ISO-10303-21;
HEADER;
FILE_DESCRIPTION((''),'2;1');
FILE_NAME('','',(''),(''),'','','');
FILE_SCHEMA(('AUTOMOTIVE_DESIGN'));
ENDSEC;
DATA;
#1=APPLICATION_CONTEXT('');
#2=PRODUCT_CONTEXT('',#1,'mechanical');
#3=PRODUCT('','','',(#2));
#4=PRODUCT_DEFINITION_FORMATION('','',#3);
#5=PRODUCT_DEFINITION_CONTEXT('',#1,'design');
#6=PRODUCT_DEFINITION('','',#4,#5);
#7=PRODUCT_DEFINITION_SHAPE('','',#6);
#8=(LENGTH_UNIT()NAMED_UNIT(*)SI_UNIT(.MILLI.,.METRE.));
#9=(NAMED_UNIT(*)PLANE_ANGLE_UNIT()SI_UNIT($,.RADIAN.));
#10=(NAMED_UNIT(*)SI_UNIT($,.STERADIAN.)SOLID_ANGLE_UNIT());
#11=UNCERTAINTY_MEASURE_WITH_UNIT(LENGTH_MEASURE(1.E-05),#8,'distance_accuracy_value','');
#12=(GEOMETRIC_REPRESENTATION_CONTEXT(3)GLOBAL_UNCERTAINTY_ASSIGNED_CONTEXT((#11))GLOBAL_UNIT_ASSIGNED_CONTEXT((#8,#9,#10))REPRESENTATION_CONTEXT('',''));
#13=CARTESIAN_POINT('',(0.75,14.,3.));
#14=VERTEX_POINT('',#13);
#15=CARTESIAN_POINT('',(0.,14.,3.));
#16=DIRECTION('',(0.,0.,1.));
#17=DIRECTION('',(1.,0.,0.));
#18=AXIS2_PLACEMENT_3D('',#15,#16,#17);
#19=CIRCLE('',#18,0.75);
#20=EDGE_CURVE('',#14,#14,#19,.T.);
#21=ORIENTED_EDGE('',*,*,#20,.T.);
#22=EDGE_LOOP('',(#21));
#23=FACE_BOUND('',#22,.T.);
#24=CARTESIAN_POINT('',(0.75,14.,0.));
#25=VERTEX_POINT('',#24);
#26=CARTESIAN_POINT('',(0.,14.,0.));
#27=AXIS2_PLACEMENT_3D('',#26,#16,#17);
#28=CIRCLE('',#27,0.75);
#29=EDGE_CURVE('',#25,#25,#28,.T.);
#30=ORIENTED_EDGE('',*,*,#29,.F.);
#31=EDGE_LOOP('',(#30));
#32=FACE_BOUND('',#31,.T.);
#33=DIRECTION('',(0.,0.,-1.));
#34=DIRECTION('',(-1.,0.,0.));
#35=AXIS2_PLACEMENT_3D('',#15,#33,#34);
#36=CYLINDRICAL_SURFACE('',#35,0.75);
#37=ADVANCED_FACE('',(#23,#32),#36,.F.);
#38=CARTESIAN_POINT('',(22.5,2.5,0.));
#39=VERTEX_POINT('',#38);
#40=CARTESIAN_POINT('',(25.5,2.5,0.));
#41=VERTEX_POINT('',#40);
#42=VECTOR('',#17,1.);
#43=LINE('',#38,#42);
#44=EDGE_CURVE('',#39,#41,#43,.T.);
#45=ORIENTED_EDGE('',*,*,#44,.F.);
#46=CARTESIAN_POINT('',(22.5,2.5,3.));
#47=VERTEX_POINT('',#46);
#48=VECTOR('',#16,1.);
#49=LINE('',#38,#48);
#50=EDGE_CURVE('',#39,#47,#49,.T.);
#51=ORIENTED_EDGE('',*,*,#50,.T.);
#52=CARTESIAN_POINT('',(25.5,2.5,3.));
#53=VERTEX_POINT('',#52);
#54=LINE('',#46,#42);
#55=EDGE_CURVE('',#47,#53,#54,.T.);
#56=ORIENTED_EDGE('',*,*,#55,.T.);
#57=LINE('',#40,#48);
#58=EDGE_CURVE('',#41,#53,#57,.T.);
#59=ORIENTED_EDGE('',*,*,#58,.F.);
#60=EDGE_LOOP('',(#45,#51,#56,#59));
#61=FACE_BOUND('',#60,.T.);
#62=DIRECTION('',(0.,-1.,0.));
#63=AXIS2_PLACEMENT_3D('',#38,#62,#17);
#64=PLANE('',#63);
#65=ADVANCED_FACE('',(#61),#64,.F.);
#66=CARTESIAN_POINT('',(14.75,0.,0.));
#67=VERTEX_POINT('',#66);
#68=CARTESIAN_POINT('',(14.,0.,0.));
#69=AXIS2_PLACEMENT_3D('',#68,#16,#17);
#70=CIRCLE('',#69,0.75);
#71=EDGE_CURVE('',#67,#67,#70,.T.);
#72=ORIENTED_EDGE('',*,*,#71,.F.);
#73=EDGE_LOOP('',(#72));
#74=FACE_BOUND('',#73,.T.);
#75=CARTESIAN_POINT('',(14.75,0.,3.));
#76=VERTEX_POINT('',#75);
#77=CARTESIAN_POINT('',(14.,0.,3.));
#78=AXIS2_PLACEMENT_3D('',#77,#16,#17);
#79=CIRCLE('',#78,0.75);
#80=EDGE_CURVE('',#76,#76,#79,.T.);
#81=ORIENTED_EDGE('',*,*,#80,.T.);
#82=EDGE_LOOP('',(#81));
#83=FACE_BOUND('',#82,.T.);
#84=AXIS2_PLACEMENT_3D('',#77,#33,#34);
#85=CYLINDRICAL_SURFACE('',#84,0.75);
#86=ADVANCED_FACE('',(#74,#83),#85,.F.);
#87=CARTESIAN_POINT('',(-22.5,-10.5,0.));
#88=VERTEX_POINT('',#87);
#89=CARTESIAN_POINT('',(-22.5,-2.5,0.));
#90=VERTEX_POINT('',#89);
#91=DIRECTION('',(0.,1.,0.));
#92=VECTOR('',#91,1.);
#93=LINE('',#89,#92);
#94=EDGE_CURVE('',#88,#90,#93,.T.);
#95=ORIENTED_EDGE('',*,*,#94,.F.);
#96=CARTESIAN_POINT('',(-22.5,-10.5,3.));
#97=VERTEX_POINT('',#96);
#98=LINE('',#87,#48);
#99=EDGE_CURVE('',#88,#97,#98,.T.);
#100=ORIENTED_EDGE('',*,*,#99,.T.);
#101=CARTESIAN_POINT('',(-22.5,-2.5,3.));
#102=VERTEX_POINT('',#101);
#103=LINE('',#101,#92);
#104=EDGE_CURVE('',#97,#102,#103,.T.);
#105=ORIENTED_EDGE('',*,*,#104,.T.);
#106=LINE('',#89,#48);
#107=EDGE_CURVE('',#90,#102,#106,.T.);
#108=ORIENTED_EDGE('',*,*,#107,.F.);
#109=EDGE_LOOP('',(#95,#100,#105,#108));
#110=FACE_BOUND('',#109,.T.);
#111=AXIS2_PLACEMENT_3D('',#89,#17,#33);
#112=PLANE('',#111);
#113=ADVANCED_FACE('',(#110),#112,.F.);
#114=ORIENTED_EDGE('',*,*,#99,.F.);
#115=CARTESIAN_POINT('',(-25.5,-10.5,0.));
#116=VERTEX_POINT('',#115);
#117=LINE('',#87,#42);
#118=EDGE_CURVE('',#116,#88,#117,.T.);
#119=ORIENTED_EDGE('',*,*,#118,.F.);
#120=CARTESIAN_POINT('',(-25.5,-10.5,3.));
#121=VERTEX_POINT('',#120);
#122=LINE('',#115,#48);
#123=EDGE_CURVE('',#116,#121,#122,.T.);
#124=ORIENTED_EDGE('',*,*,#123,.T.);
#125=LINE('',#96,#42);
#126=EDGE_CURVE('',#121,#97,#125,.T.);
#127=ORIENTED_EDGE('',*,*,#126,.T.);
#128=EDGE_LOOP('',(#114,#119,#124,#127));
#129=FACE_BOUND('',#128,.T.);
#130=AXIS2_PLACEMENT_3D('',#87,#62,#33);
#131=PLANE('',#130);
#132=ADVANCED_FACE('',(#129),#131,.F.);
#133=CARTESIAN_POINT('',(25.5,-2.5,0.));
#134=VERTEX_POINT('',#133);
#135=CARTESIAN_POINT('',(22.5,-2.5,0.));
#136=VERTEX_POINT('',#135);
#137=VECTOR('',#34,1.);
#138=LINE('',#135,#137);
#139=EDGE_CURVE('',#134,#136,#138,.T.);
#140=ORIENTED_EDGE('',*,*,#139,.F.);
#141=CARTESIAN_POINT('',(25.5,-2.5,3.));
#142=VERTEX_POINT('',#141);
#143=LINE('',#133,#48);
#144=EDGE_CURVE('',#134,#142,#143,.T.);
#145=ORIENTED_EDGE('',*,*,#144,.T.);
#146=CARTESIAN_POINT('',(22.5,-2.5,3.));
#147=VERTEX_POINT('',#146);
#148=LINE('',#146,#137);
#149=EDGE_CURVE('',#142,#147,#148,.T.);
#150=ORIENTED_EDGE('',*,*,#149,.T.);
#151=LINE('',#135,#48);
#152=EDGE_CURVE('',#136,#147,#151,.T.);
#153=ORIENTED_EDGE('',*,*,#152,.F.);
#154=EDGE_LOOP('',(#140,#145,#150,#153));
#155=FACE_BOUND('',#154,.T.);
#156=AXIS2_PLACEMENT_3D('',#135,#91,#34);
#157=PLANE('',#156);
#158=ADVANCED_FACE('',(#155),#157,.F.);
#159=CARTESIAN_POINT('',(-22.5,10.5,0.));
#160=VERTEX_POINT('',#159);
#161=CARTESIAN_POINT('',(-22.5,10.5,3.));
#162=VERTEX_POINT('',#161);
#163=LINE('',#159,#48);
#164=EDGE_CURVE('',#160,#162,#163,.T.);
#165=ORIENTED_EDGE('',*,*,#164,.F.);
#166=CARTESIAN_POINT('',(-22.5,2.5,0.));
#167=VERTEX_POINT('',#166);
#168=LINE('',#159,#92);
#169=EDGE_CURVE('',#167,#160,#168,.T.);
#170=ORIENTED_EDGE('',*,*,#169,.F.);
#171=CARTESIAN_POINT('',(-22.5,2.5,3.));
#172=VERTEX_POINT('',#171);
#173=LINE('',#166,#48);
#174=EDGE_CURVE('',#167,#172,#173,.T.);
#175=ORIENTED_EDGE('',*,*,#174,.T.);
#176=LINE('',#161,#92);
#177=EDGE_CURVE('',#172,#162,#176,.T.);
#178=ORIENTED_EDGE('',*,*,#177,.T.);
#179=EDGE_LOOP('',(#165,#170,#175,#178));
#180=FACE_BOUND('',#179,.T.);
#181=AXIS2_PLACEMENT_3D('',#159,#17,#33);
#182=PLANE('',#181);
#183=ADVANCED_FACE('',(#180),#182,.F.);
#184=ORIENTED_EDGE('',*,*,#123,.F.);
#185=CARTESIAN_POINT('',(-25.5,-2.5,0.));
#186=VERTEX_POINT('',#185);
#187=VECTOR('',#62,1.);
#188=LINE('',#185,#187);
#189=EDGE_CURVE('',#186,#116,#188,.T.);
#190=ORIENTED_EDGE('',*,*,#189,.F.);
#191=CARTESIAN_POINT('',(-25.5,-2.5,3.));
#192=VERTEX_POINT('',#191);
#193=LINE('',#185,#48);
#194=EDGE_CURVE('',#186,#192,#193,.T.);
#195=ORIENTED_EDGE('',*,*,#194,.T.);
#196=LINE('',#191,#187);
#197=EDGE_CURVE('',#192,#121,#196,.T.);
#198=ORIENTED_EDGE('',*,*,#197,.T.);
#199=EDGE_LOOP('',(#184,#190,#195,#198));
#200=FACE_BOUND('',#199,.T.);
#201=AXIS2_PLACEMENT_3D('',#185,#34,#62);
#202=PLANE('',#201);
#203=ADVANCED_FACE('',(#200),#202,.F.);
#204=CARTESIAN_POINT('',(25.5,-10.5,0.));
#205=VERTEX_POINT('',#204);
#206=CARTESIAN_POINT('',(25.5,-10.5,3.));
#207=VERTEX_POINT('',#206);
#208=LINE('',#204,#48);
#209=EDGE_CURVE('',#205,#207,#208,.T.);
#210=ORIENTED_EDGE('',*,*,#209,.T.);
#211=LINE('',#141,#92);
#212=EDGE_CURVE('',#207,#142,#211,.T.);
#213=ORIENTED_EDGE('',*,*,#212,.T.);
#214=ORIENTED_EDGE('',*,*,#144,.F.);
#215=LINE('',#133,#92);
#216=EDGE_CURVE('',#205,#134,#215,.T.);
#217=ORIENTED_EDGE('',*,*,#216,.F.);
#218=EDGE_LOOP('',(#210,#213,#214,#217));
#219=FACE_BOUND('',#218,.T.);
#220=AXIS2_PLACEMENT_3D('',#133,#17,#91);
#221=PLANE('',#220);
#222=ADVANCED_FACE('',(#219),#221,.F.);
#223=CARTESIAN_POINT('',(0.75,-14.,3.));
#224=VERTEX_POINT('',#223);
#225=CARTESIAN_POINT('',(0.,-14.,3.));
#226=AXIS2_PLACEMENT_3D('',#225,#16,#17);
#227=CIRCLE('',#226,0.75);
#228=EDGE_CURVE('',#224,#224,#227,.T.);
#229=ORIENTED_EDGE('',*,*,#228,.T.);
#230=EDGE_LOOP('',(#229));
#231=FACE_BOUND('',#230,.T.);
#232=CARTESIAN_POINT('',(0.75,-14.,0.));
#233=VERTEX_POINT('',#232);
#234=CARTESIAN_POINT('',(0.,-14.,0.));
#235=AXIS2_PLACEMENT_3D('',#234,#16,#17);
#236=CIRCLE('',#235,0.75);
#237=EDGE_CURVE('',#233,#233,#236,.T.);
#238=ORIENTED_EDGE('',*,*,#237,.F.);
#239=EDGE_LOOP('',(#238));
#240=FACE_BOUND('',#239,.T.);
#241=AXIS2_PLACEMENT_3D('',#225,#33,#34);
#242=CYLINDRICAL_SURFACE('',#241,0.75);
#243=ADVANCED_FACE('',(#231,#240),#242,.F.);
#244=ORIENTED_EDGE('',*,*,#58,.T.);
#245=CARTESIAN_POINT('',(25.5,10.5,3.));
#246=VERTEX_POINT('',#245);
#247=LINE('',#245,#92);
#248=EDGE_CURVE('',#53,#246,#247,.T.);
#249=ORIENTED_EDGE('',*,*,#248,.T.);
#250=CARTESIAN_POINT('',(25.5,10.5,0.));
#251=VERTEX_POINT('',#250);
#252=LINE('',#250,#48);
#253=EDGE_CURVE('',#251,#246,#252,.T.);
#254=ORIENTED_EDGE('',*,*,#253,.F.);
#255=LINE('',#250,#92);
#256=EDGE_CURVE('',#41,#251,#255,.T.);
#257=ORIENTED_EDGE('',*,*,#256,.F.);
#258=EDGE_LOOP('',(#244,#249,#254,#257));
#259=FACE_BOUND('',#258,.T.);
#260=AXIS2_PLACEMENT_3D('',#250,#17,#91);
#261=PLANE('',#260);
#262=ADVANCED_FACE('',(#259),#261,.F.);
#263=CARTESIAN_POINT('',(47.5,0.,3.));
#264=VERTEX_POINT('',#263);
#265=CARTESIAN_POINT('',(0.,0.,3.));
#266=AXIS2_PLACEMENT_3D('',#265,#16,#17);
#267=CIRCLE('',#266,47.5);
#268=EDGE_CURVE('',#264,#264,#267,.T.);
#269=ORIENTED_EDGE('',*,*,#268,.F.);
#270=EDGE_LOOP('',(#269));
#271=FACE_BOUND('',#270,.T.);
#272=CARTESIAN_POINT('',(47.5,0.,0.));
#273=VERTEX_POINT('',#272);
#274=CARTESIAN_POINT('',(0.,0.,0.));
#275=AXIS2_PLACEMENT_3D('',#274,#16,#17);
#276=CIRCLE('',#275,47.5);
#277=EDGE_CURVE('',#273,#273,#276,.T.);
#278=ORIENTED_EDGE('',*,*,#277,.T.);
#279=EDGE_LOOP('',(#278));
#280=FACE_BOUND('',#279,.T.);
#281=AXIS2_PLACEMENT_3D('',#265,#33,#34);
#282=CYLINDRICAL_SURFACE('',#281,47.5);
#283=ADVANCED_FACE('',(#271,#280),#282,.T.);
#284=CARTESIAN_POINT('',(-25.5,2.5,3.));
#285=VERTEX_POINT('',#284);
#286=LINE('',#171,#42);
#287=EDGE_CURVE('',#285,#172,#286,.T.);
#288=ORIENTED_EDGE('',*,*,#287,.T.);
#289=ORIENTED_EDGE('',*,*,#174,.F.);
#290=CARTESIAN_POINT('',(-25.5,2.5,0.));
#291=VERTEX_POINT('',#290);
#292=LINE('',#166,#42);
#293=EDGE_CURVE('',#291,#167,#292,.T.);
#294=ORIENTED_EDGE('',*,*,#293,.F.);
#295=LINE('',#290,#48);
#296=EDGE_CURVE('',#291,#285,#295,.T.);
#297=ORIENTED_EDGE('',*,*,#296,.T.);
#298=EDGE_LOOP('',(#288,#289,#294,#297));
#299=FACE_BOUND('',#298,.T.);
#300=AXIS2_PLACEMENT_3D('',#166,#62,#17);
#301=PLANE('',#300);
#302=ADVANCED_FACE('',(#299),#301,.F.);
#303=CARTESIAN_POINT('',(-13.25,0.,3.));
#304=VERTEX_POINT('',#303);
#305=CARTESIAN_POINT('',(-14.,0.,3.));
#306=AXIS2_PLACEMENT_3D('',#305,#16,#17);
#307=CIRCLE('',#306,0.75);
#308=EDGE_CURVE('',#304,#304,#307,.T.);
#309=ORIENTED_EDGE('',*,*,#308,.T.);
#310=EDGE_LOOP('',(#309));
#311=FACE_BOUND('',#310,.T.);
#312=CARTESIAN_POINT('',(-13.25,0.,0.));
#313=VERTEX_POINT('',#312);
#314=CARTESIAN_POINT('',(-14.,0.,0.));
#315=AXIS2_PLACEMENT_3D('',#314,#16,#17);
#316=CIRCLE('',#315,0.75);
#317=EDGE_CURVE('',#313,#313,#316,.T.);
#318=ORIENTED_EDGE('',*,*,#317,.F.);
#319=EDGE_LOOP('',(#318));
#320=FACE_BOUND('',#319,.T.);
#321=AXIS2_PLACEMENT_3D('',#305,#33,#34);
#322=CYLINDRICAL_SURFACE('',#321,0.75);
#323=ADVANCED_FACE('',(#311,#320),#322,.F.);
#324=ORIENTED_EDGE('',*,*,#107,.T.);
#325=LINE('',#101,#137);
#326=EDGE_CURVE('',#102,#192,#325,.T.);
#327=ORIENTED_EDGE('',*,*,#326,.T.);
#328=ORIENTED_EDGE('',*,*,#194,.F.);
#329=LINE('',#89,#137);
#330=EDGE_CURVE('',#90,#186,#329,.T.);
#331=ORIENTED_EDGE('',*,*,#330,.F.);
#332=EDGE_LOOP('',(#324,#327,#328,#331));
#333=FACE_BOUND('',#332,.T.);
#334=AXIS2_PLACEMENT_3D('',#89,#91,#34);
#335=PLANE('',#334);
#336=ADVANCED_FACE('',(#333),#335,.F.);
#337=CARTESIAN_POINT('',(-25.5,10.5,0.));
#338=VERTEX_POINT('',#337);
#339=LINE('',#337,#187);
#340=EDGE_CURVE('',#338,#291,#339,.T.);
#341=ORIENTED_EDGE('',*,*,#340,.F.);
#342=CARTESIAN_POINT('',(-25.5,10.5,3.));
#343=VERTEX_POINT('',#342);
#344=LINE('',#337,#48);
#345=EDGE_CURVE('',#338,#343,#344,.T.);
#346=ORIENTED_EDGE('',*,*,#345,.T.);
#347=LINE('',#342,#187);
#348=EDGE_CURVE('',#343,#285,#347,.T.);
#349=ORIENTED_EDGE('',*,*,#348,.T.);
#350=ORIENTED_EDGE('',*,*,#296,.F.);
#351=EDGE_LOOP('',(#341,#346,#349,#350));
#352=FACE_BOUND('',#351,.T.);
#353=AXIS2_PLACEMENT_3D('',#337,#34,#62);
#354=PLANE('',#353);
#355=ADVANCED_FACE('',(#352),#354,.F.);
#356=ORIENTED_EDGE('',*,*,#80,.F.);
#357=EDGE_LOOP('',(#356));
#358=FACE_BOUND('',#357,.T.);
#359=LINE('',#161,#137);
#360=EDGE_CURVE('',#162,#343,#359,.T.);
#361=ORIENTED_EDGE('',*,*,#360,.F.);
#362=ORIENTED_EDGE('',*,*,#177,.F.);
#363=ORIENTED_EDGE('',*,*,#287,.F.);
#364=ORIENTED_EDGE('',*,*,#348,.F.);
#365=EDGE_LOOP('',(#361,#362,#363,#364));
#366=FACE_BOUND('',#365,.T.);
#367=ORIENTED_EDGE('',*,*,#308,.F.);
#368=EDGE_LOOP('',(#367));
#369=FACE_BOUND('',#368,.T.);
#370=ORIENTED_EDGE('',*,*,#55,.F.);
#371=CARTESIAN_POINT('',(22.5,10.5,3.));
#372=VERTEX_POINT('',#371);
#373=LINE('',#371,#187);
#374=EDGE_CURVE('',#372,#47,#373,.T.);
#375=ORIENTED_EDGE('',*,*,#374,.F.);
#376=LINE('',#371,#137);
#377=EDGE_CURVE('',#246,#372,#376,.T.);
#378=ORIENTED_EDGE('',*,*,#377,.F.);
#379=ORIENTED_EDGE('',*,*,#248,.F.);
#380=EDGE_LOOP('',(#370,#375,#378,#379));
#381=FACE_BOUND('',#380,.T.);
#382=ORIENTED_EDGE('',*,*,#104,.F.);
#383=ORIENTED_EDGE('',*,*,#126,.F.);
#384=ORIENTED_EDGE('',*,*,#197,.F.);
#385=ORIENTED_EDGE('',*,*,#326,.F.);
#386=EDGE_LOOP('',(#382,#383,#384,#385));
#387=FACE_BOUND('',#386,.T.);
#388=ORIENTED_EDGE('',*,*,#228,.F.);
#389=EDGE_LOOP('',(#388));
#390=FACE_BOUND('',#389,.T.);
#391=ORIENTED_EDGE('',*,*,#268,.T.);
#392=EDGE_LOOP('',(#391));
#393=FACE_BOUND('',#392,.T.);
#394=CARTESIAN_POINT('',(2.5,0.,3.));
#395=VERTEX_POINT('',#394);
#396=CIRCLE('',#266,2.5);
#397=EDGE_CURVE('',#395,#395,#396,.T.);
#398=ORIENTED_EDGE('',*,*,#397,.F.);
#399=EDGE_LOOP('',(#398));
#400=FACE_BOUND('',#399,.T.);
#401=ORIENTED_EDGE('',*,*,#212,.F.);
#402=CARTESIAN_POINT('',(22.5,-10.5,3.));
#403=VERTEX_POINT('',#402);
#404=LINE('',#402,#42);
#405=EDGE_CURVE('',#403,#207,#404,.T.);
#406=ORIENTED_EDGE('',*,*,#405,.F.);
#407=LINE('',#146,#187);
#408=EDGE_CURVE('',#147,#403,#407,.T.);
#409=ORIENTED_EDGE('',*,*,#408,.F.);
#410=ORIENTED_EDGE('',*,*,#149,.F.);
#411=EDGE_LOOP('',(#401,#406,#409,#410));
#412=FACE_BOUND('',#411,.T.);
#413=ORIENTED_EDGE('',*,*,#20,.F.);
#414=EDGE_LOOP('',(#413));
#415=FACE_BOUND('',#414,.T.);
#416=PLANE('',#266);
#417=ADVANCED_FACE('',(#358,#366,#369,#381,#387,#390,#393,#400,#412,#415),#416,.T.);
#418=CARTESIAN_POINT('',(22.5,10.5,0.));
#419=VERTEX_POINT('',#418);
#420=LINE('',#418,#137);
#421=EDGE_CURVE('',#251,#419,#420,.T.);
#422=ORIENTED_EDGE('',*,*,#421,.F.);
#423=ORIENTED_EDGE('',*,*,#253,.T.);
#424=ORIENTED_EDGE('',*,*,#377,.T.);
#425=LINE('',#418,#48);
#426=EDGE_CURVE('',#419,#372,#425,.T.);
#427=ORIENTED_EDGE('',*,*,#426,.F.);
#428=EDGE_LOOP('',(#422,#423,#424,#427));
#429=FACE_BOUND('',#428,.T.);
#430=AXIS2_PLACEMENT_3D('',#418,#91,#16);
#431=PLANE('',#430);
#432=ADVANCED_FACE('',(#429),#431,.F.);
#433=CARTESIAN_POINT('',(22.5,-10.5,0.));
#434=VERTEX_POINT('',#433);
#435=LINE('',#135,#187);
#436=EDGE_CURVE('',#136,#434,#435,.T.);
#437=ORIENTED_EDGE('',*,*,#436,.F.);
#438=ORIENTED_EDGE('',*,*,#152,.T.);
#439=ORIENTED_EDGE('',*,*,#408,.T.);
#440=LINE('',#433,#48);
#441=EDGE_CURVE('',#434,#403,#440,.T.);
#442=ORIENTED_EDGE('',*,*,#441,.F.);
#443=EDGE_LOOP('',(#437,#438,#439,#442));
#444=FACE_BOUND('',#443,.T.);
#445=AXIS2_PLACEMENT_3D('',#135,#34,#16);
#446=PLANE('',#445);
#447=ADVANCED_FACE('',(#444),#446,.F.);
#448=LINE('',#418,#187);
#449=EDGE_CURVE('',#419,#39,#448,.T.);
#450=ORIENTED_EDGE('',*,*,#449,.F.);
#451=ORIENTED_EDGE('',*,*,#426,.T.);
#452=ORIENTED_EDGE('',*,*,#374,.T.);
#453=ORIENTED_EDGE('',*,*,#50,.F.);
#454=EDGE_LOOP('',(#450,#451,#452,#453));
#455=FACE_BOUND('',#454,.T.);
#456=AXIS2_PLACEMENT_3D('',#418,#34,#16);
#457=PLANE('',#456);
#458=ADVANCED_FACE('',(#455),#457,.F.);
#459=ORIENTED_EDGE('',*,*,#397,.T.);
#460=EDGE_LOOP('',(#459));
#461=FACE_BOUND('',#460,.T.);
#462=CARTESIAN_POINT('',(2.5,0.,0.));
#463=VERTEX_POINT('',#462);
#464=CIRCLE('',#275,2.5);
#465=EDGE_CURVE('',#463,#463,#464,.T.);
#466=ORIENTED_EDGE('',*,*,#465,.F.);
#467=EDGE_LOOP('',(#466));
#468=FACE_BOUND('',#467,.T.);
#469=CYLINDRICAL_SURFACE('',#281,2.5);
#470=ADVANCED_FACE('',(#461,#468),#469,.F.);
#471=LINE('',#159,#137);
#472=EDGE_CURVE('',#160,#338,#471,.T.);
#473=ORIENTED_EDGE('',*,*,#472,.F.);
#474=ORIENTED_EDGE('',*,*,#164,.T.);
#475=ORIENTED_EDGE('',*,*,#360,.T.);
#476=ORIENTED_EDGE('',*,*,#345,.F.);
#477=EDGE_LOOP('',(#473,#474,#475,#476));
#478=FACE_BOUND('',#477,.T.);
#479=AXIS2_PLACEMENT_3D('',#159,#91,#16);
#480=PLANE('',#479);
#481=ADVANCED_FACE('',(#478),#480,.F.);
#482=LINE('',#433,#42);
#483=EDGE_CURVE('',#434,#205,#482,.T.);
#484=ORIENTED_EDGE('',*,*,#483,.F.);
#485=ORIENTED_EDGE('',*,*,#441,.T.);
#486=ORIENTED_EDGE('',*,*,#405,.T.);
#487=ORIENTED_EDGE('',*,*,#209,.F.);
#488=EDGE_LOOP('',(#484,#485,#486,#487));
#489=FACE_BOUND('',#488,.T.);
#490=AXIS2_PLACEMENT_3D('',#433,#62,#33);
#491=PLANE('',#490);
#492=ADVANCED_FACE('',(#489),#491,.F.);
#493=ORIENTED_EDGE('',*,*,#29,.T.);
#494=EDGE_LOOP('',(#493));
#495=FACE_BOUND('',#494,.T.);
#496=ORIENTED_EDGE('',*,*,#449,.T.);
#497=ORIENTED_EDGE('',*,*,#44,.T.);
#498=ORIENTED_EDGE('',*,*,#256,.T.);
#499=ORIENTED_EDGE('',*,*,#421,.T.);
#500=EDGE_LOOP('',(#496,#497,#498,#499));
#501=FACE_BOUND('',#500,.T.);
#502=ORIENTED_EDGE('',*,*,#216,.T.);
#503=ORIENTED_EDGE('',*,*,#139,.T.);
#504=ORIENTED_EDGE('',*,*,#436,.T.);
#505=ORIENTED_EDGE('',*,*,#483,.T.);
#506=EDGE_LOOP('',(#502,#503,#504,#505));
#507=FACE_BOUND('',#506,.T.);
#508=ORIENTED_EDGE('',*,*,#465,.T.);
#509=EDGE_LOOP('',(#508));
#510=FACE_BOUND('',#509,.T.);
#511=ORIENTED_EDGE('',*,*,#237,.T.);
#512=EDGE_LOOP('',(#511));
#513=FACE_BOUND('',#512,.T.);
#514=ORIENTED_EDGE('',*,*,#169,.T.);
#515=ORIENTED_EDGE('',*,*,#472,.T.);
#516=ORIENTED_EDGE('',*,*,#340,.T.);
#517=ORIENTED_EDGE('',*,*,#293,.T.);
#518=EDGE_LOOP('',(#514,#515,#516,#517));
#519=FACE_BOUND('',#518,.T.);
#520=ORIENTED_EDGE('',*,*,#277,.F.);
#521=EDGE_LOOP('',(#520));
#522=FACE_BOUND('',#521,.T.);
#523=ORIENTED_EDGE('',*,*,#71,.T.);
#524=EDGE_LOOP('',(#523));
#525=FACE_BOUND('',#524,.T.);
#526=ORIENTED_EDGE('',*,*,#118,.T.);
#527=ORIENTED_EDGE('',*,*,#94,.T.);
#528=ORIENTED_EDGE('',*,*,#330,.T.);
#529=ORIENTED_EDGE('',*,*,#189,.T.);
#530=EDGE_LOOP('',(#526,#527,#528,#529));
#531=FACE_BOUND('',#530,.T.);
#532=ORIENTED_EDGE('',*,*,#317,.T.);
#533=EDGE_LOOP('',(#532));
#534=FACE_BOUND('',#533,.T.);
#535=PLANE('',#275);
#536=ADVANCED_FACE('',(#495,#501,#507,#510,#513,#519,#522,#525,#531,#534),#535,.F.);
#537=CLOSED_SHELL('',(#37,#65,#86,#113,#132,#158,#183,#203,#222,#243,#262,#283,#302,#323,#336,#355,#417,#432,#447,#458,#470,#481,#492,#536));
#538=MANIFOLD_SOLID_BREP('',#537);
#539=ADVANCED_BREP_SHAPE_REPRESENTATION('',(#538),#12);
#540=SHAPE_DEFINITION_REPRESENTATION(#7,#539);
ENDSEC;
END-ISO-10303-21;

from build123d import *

# Parameters (mm, degrees)
CROQUIS1_R              = 47.5
CROQUIS1_R_2            = 2.5
CROQUIS1_R_3            = 0.75
SALIENTE_EXTRUIR1_DEPTH = 3
CROQUIS2_W              = 3
CROQUIS2_H              = 8
CORTAR_EXTRUIR1_DEPTH   = 4


with BuildPart() as part:
    # Croquis1 → Saliente-Extruir1 (new body)
    with BuildSketch(Plane.XY):
        Circle(CROQUIS1_R)
        Circle(CROQUIS1_R_2, mode=Mode.SUBTRACT)
        with Locations((0, -14)):
            Circle(CROQUIS1_R_3, mode=Mode.SUBTRACT)
        with Locations((-14, 0)):
            Circle(CROQUIS1_R_3, mode=Mode.SUBTRACT)
        with Locations((0, 14)):
            Circle(CROQUIS1_R_3, mode=Mode.SUBTRACT)
        with Locations((14, 0)):
            Circle(CROQUIS1_R_3, mode=Mode.SUBTRACT)
    extrude(amount=SALIENTE_EXTRUIR1_DEPTH)

    # Croquis2 → Cortar-Extruir1 (cut, through all)
    with BuildSketch(Plane.XY.offset(3)):
        with Locations((24, 6.5)):
            Rectangle(CROQUIS2_W, CROQUIS2_H)
        with Locations((24, -6.5)):
            Rectangle(CROQUIS2_W, CROQUIS2_H)
        with Locations((-24, -6.5)):
            Rectangle(CROQUIS2_W, CROQUIS2_H)
        with Locations((-24, 6.5)):
            Rectangle(CROQUIS2_W, CROQUIS2_H)
    extrude(amount=-CORTAR_EXTRUIR1_DEPTH, mode=Mode.SUBTRACT)


solid = part.part
